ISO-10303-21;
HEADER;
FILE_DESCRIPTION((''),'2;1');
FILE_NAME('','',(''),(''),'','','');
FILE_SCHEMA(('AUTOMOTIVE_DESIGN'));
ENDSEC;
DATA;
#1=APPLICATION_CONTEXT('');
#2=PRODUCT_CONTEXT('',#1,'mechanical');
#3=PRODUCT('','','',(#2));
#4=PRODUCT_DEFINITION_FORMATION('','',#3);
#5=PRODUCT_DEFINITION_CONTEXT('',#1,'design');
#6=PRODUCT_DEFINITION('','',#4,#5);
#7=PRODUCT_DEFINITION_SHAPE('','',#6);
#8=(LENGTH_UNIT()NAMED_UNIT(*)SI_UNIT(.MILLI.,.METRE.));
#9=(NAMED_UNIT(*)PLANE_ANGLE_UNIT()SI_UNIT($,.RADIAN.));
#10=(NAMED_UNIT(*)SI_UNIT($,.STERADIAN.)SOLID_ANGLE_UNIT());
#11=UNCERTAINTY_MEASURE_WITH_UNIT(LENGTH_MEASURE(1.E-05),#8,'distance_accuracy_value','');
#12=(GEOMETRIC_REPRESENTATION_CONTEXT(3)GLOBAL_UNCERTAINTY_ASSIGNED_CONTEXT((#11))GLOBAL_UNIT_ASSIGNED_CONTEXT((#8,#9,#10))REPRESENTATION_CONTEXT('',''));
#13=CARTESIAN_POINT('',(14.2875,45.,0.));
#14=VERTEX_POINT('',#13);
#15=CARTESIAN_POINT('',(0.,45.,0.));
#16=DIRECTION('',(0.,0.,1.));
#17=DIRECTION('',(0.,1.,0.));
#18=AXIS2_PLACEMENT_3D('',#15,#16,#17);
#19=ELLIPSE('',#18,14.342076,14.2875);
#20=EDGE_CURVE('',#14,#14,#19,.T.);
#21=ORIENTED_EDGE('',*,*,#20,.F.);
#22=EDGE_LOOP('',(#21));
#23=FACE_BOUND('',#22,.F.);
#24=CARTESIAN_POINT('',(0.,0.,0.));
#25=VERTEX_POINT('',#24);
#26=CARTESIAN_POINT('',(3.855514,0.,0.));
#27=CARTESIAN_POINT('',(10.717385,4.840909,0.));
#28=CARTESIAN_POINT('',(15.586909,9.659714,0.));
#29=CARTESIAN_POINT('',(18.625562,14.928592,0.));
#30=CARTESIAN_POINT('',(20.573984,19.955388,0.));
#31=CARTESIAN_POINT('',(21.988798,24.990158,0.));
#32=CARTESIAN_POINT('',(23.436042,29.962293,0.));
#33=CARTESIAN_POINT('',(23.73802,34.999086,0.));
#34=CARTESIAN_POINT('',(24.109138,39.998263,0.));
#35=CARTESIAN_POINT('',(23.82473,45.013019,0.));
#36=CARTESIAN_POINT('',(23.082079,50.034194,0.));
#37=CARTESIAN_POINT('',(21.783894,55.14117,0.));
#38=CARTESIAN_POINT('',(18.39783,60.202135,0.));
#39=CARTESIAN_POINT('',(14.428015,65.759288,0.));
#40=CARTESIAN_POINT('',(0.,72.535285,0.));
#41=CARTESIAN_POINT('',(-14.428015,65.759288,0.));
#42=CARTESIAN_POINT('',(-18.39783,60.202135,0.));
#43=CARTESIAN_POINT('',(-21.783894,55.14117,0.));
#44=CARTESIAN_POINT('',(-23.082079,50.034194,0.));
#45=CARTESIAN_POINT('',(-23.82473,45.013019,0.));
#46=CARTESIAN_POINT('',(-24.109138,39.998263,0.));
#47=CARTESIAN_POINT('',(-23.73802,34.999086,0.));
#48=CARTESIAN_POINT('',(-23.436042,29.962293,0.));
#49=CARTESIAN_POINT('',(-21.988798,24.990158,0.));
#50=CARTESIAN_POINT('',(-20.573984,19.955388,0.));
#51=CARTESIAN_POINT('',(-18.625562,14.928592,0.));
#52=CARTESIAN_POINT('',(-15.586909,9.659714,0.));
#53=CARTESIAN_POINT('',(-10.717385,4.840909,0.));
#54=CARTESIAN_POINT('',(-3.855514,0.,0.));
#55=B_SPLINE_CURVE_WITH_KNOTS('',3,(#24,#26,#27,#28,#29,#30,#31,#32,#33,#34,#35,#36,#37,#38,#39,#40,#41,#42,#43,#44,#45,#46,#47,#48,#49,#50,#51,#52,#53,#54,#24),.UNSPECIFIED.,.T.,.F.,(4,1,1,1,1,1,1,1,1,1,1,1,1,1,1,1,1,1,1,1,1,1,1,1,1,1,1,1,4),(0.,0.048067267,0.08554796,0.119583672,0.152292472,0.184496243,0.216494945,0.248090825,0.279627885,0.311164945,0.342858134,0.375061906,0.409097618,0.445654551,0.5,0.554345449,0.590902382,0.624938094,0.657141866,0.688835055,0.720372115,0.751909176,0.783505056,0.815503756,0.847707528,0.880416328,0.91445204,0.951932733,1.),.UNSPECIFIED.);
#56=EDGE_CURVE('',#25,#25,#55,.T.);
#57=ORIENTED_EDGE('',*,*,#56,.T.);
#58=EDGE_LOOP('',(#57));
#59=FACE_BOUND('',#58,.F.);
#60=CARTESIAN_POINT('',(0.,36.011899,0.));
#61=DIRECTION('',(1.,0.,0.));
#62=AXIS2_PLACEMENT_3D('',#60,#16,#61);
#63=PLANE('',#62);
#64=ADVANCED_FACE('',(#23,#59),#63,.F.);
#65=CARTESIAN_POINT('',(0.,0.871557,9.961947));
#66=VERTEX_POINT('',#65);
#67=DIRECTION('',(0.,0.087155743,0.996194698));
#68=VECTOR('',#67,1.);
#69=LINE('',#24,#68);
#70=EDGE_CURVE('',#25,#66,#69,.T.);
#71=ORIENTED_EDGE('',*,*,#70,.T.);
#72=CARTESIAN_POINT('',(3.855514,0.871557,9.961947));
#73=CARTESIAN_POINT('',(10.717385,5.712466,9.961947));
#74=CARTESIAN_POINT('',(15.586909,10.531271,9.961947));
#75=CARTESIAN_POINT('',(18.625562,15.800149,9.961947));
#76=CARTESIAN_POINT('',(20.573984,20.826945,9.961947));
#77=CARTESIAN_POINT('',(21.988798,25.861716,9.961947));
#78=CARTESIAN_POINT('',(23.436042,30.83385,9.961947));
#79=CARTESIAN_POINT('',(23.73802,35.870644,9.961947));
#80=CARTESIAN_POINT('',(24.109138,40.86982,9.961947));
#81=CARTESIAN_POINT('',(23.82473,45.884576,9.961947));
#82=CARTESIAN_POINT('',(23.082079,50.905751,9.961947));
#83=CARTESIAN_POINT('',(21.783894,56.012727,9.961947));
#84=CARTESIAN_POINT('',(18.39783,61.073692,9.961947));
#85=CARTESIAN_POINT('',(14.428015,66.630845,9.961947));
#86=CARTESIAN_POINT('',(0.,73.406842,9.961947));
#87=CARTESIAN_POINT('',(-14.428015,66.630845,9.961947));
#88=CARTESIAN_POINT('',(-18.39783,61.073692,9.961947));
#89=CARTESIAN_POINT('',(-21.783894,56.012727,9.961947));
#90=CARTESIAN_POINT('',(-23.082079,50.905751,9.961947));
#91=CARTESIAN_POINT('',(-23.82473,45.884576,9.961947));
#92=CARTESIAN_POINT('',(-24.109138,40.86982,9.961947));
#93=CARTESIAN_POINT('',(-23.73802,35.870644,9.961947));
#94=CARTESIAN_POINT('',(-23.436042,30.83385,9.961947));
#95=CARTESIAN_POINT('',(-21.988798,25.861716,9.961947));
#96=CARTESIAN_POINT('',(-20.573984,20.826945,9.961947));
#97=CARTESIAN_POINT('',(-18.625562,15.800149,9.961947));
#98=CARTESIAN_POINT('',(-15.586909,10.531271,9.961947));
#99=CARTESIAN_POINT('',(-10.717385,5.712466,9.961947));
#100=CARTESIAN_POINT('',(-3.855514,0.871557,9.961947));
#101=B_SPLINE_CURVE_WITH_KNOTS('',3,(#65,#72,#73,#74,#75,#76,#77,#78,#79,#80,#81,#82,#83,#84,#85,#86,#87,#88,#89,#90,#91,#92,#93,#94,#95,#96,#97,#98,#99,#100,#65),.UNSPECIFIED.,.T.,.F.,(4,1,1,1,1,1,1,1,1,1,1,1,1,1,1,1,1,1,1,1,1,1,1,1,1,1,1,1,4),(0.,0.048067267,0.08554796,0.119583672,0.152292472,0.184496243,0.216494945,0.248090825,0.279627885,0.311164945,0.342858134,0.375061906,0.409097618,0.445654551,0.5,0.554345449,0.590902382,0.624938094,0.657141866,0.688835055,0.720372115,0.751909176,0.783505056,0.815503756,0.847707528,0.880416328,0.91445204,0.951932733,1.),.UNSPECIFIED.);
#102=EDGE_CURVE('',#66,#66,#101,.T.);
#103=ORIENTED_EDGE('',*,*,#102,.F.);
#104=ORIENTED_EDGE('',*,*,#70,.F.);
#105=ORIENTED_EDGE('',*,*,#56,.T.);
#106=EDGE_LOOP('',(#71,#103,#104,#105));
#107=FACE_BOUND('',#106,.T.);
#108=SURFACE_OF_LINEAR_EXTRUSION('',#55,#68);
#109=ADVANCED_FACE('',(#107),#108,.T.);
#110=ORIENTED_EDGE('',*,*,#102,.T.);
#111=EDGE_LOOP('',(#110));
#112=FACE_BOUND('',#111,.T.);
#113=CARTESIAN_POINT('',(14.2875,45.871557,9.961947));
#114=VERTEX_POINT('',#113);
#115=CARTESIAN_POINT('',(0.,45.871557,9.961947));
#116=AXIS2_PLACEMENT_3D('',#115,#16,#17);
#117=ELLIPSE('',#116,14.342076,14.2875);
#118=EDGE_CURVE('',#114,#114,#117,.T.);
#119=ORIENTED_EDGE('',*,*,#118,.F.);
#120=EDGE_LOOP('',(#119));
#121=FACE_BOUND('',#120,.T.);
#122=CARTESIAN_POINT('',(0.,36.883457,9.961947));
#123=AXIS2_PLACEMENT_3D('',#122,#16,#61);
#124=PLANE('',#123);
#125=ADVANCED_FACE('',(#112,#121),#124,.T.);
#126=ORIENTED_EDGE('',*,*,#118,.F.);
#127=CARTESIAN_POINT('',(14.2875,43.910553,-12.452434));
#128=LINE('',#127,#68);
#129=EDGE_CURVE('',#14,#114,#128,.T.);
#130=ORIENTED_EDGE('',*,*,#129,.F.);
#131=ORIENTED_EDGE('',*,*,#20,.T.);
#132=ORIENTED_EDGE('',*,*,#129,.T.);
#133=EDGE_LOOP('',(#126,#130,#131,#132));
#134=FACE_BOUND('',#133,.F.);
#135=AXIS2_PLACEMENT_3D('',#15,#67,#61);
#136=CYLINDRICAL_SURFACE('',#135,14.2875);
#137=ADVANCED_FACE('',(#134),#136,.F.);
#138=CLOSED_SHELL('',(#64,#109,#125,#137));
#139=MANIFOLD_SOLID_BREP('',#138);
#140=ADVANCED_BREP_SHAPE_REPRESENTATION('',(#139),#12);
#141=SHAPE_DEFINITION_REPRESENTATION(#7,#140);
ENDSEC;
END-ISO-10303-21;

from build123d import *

# Parameters (mm, degrees)
F2_R     = 14.2875
F5_DEPTH = 12.5


with BuildPart() as f4:
    # F4: sweep along a path in F3
    with BuildLine(Plane.YZ) as f4_path:
        Line((45, 0), (45.8715574275, 9.9619469809))
    # F0 (on Top) → F4 (sweep)
    with BuildSketch(Plane.XY):
        with BuildLine():
            add(Edge.make_bspline(
                [(0, 0), (-3.8555140498, 0), (-10.7173845571, 4.8409090616), (-15.5869092714, 9.6597138817), (-18.6255623008, 14.9285915462), (-20.5739837804, 19.9553875511), (-21.9887984541, 24.9901584304), (-23.4360418864, 29.9622928605), (-23.7380203134, 34.9990864807), (-24.1091375899, 39.9982626215), (-23.8247301866, 45.013018771), (-23.082078813, 50.0341936054), (-21.7838938669, 55.1411695469), (-18.3978303144, 60.2021345466), (-14.4280153975, 65.759287658), (0, 72.5352846645), (14.4280153975, 65.759287658), (18.3978303144, 60.2021345466), (21.7838938669, 55.1411695469), (23.082078813, 50.0341936054), (23.8247301866, 45.013018771), (24.1091375899, 39.9982626215), (23.7380203134, 34.9990864807), (23.4360418864, 29.9622928605), (21.9887984541, 24.9901584304), (20.5739837804, 19.9553875511), (18.6255623008, 14.9285915462), (15.5869092714, 9.6597138817), (10.7173845571, 4.8409090616), (3.8555140498, 0), (0, 0)],
                knots=[0, 0, 0, 0, 0.048067267, 0.08554796, 0.119583672, 0.1522924719, 0.1844962435, 0.2164949445, 0.2480908245, 0.2796278848, 0.3111649451, 0.3428581343, 0.3750619059, 0.4090976179, 0.4456545512, 0.5, 0.5543454488, 0.5909023821, 0.6249380941, 0.6571418657, 0.6888350549, 0.7203721152, 0.7519091755, 0.7835050555, 0.8155037565, 0.8477075281, 0.880416328, 0.91445204, 0.951932733, 1, 1, 1, 1], degree=3))
        make_face()
    sweep(path=f4_path.line)

    # F2 (on line) → F5 (cut, symmetric)
    with BuildSketch(Plane(origin=(0, 0.3418255572, 3.9070839975), x_dir=(1, 0, 0), z_dir=(0, 0.0871557427, 0.9961946981))):
        with Locations((0, 44.8287614141)):
            Circle(F2_R)
    extrude(amount=F5_DEPTH, both=True, mode=Mode.SUBTRACT)


solid = f4.part
